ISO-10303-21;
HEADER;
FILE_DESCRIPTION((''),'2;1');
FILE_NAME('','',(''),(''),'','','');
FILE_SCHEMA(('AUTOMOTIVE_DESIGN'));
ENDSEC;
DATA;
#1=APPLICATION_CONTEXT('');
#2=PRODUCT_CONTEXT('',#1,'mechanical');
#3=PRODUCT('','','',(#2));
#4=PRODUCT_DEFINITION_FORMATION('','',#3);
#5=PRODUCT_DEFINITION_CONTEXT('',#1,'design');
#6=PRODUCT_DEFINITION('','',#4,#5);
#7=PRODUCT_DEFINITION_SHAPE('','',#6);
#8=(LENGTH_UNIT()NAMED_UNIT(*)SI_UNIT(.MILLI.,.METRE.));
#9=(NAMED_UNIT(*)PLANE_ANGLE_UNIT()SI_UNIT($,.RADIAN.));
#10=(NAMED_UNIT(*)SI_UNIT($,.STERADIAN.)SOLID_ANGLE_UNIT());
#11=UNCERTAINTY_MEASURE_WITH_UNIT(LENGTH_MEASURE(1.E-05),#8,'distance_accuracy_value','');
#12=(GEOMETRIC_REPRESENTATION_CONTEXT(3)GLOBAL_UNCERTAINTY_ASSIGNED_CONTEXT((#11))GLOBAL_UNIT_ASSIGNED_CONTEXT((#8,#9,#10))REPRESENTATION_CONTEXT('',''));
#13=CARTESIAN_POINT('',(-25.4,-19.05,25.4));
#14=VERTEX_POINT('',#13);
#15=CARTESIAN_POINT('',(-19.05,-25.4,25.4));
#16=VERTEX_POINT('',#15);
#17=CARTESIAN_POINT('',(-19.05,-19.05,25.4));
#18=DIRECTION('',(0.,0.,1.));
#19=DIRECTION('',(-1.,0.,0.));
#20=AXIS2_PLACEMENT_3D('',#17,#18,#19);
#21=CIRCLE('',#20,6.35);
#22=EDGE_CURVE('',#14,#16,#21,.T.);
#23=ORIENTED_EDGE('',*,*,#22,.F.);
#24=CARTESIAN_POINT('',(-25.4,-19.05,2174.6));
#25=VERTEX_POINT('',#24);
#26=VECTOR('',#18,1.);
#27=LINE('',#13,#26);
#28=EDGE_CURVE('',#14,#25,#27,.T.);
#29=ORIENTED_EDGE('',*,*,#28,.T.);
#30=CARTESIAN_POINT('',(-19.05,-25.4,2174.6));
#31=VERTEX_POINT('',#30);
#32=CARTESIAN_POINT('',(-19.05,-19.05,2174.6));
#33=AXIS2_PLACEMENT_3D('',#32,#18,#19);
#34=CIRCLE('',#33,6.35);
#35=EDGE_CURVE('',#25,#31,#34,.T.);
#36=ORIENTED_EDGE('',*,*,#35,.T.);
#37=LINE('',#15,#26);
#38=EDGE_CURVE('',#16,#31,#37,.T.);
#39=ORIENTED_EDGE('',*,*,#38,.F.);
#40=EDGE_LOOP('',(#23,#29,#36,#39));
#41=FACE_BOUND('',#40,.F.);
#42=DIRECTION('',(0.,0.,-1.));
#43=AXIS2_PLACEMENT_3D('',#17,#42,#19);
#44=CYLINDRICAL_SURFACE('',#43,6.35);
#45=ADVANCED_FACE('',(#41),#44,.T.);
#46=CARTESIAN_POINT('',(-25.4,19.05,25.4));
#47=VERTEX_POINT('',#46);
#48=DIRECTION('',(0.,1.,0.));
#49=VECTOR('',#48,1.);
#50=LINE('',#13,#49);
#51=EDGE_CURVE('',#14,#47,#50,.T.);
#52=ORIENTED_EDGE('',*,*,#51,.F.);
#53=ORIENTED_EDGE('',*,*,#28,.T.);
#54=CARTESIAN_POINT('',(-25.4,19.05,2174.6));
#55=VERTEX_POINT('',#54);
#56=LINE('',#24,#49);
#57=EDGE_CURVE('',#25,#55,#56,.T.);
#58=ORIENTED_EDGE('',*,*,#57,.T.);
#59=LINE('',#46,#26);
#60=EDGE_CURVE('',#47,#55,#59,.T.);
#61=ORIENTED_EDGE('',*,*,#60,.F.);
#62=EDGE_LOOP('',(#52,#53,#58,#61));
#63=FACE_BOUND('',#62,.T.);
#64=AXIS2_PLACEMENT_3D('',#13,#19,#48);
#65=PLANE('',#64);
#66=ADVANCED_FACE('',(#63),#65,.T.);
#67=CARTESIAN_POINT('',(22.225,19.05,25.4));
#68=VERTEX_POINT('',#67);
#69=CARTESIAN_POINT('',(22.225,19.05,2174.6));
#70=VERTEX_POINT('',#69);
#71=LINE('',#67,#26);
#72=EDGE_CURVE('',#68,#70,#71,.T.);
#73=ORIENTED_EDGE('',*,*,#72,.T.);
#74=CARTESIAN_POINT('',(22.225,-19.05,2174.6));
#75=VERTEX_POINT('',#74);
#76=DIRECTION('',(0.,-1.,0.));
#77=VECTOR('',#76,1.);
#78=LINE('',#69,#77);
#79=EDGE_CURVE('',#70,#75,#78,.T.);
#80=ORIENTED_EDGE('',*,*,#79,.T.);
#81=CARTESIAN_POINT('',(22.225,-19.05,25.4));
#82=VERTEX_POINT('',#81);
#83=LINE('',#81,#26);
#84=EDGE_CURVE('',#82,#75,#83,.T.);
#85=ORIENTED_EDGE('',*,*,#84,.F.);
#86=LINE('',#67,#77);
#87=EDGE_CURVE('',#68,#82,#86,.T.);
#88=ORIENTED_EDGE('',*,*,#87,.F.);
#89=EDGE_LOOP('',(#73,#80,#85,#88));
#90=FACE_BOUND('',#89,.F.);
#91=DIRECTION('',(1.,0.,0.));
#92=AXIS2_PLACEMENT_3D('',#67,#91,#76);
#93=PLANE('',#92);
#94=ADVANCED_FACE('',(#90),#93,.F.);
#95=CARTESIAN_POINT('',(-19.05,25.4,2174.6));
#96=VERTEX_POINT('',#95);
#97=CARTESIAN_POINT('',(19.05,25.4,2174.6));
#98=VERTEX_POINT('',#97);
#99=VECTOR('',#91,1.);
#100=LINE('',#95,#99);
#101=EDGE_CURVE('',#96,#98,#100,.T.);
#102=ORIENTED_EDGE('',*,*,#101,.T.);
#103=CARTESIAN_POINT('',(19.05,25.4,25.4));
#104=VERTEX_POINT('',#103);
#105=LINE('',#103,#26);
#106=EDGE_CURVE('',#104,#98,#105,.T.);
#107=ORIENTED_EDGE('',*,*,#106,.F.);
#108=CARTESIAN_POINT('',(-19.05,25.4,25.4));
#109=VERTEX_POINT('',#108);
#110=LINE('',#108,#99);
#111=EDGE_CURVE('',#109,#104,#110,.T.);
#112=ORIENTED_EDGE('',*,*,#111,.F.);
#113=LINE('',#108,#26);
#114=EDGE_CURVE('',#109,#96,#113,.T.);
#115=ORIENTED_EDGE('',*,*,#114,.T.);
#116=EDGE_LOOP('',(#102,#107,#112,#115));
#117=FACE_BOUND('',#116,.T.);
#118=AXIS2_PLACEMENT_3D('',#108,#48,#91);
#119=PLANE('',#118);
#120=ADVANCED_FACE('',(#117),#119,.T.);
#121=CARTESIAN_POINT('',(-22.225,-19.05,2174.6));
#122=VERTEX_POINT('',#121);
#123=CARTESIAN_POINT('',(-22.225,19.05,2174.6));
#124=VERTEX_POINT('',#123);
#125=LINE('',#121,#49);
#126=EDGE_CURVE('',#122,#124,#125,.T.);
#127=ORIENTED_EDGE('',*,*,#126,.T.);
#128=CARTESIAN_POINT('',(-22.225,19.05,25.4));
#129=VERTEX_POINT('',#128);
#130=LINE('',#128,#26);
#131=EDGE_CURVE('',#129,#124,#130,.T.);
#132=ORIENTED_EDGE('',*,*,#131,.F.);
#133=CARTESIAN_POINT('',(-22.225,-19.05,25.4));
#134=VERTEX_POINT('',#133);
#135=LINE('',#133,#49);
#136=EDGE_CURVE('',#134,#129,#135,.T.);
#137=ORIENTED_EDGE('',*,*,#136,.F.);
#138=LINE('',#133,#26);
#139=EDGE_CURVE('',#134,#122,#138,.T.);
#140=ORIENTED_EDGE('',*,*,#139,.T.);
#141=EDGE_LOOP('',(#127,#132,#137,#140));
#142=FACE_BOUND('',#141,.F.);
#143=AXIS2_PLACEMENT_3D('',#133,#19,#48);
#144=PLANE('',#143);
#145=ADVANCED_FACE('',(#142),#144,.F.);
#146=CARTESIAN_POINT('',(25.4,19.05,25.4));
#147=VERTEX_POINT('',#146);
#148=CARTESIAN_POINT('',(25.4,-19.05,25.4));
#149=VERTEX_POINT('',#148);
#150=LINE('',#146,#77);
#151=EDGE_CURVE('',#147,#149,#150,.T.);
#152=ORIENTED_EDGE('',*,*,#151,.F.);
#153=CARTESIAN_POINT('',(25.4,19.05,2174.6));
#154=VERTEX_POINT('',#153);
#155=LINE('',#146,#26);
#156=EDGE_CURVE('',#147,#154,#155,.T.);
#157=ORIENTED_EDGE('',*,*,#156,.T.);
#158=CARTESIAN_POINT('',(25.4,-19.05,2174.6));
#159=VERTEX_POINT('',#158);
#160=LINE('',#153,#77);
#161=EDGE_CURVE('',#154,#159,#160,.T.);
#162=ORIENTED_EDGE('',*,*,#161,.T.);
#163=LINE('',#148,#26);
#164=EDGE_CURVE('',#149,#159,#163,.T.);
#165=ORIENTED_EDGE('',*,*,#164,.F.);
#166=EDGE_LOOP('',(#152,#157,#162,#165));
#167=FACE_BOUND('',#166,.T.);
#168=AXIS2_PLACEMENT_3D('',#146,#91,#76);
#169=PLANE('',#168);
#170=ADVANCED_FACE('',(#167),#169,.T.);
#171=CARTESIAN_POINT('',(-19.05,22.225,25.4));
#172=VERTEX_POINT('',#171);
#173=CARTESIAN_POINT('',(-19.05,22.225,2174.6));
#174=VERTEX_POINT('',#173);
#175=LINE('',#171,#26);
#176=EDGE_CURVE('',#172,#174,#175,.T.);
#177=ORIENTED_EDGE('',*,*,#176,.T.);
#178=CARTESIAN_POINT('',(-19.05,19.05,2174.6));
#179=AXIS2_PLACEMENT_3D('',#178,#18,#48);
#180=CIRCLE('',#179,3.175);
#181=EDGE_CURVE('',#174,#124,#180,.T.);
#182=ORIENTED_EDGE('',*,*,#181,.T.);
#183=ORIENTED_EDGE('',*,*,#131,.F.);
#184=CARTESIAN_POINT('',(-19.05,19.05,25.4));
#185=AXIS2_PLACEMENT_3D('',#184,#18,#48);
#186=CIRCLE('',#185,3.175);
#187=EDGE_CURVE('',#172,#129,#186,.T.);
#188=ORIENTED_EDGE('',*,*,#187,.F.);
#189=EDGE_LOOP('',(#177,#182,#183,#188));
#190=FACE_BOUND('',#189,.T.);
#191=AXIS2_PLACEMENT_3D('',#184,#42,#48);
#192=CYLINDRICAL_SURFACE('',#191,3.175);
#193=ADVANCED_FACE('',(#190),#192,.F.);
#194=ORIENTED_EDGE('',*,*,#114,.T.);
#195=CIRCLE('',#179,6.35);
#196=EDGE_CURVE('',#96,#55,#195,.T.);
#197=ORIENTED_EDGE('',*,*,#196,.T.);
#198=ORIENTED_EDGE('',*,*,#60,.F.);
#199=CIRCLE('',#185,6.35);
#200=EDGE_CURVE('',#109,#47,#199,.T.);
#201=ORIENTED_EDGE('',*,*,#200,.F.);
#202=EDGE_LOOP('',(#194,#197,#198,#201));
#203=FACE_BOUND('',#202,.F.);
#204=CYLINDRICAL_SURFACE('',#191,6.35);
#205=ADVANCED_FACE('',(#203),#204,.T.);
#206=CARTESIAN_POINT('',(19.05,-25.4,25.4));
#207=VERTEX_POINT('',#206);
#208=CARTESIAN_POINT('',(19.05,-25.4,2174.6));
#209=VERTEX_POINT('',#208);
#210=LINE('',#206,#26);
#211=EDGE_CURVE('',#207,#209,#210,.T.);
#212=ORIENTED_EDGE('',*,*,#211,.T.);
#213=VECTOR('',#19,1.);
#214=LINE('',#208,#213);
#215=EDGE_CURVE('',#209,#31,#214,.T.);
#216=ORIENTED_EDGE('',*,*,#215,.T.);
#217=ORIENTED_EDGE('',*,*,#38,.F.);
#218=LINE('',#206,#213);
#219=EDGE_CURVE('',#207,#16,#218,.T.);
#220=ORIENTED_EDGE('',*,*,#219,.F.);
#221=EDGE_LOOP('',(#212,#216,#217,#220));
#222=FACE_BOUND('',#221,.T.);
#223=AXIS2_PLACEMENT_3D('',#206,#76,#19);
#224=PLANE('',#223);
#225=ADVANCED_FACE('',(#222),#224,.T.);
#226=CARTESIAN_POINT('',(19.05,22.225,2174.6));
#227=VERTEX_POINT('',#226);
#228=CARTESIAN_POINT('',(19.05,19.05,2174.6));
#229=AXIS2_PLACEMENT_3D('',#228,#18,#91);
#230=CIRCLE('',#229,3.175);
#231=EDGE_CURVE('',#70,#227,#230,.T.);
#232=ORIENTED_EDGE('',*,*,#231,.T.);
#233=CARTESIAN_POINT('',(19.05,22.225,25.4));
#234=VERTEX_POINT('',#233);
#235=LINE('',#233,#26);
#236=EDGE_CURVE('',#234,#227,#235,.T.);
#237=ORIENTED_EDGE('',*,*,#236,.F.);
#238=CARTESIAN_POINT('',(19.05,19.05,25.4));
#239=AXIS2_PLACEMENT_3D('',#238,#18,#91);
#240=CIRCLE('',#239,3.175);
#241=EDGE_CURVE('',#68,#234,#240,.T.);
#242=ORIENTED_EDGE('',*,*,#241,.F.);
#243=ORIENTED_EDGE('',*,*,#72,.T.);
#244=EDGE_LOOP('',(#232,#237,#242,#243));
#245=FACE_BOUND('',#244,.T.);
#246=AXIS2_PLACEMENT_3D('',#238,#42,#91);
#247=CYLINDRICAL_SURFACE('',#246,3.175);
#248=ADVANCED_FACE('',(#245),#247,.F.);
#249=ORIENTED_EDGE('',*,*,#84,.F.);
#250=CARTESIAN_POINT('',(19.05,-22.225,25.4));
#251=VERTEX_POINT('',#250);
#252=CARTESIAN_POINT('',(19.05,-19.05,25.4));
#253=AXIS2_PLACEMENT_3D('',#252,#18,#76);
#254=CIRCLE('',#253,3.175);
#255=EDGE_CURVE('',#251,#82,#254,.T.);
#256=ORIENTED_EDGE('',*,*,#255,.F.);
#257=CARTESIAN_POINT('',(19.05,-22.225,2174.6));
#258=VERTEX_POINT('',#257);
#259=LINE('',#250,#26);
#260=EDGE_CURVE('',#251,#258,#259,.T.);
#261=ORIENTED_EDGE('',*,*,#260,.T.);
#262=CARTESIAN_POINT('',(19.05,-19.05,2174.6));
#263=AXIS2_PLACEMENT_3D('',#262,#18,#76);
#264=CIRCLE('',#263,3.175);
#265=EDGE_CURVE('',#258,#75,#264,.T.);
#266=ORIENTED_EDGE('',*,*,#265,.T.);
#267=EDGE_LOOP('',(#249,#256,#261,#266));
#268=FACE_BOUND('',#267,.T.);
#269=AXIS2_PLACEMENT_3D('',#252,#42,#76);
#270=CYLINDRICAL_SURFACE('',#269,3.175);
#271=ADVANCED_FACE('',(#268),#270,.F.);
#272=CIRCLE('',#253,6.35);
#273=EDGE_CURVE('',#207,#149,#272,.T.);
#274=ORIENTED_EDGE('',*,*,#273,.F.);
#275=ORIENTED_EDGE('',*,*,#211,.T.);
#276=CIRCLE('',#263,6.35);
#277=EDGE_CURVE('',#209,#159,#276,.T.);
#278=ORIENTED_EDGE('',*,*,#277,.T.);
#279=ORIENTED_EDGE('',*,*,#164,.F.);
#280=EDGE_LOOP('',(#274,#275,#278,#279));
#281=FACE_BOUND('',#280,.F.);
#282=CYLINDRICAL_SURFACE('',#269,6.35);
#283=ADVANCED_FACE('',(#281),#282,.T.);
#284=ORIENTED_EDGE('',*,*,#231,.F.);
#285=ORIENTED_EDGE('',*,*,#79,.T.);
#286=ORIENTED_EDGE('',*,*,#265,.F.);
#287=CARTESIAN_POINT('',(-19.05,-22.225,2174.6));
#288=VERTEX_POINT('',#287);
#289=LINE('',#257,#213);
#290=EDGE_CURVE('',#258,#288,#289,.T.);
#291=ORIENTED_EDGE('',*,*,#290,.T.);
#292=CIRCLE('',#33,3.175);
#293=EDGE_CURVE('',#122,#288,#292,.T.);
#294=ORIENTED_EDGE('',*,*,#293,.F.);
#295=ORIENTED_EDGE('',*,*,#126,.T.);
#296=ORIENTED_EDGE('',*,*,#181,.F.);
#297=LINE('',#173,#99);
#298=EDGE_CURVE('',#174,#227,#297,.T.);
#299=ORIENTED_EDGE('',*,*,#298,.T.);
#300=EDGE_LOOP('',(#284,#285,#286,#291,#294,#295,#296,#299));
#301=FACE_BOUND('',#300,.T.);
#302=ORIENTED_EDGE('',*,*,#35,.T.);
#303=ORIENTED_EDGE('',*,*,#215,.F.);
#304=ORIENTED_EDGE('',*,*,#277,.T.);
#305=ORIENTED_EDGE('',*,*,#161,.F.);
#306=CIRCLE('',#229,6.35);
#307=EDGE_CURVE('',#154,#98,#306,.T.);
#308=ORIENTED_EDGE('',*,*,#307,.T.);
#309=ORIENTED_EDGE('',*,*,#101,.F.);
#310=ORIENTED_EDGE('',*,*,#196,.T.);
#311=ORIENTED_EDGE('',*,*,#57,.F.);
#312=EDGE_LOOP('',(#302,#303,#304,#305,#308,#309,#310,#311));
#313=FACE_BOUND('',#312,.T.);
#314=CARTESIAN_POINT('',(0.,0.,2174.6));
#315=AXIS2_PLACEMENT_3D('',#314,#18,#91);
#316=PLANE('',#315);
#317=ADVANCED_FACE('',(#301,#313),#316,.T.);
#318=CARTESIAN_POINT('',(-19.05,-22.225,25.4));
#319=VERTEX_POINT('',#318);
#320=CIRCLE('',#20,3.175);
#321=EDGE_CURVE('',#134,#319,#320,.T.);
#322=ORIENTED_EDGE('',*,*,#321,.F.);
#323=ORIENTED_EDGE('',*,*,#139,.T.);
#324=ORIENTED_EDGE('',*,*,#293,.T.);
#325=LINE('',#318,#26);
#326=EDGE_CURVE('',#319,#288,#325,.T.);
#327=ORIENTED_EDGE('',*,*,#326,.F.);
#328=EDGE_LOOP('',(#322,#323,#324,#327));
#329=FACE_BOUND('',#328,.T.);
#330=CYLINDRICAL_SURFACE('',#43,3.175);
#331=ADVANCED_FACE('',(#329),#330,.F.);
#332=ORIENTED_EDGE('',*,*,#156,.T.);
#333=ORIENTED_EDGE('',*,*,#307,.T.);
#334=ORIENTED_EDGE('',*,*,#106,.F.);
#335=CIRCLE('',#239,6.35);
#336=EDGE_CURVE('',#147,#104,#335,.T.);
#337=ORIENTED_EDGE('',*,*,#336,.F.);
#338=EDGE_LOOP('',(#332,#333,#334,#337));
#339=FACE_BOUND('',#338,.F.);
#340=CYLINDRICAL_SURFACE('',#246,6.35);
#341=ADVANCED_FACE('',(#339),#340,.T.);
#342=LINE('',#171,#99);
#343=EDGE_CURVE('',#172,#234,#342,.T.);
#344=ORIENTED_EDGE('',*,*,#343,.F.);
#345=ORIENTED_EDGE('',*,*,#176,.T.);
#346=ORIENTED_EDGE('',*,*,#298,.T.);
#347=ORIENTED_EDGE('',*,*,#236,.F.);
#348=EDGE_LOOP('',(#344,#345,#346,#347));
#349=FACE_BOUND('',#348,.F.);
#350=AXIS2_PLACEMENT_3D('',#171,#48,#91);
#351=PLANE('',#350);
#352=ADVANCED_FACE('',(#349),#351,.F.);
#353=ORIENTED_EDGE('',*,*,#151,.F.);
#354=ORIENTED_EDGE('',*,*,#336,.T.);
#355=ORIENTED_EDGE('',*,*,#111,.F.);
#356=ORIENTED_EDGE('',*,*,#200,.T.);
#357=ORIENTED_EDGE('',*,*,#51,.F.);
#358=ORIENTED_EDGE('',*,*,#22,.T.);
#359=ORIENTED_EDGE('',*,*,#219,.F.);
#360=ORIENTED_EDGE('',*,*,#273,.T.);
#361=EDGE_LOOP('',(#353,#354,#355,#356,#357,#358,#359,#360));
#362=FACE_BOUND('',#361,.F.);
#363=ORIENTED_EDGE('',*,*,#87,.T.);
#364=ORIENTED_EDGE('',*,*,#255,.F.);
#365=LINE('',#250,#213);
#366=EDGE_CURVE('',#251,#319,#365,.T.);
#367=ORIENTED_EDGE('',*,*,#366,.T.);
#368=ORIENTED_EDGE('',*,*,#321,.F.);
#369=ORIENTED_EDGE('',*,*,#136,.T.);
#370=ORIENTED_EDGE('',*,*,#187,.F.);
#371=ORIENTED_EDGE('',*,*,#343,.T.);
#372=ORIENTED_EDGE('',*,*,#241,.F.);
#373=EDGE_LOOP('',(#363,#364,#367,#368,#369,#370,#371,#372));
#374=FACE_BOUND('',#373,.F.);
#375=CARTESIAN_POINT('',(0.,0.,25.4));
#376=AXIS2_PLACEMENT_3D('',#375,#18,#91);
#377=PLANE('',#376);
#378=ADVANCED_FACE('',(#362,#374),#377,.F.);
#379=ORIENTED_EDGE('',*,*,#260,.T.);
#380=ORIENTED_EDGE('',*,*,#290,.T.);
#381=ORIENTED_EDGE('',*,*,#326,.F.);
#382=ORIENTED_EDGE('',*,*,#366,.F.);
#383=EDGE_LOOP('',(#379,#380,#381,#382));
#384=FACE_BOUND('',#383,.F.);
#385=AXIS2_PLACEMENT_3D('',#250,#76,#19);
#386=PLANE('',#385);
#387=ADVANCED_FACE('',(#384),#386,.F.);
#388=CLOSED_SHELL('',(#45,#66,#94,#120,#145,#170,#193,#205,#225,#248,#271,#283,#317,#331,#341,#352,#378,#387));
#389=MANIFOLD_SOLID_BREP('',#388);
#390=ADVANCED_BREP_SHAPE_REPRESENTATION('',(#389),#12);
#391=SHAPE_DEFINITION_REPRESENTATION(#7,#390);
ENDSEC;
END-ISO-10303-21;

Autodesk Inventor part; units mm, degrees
ref_plane "Plano inicial" through (0, 0, 25.4) normal (0, 0, 1) x (1, 0, 0)
ref_plane "Plano final" through (0, 0, 2174.6) normal (0, 0, 1) x (1, 0, 0)
sketch "Boceto" plane through (0, 0, 0) normal (0, 0, 1) x (1, 0, 0)
  line L0 (-25.4, -19.05) -> (-25.4, 19.05)
  line L1 (-19.05, 25.4) -> (19.05, 25.4)
  line L2 (25.4, 19.05) -> (25.4, -19.05)
  line L3 (19.05, -25.4) -> (-19.05, -25.4)
  arc A0 (-25.4, -19.05) -> (-19.05, -25.4) centre (-19.05, -19.05) ccw
  arc A1 (-19.05, 25.4) -> (-25.4, 19.05) centre (-19.05, 19.05) ccw
  arc A2 (25.4, 19.05) -> (19.05, 25.4) centre (19.05, 19.05) ccw
  arc A3 (19.05, -25.4) -> (25.4, -19.05) centre (19.05, -19.05) ccw
  arc A4 (-19.05, 22.225) -> (-22.225, 19.05) centre (-19.05, 19.05) ccw
  line L4 (-19.05, 22.225) -> (19.05, 22.225)
  arc A5 (22.225, 19.05) -> (19.05, 22.225) centre (19.05, 19.05) ccw
  line L5 (22.225, 19.05) -> (22.225, -19.05)
  arc A6 (19.05, -22.225) -> (22.225, -19.05) centre (19.05, -19.05) ccw
  line L6 (19.05, -22.225) -> (-19.05, -22.225)
  arc A7 (-22.225, -19.05) -> (-19.05, -22.225) centre (-19.05, -19.05) ccw
  line L7 (-22.225, -19.05) -> (-22.225, 19.05)
  line L8 (0, 37.4012) -> (0, -37.4012) construction
  line L9 (-37.4012, 0) -> (37.4012, 0) construction
  dimension "d10" = 50.8
  dimension "d11" = 50.8
  dimension "d12" = 3.175
  dimension "d15" = 25.4
  dimension "d16" = 25.4
  dimension "d17" = 6.35
extrude "Cuerpo" add sketch "Boceto" along normal up to surface (2149.2 mm away) from surface at 25.4
sketch "Sketch3" plane through (0, 0, 0) normal (0, 0, 1) x (1, 0, 0)
  line L0 (0, 0) -> (10, 0)
ref_plane "Work Plane3" through (0, 0, 0) normal (0, -1, 0) x (1, 0, 0)
ref_plane "Plano de trabajo4" through (2380.95, -2890, 2174.6) normal (0, 0, 1) x (1, 0, 0)
split "Dividir1" plane through (2380.95, -2890, 2174.6) removes the side toward (0, 0, 1)
ref_plane "Plano de trabajo5" through (2400, -2870.95, 25.4) normal (0, 0, -1) x (-1, 0, 0)
split "Dividir2" plane through (2400, -2870.95, 25.4) removes the side toward (0, 0, -1)
sketch "Sketch4" plane through (0, 0, 0) normal (0, -1, 0) x (1, 0, 0)
  line L0 (-2, 25.4) -> (12, 25.4) projected
  line L1 (-2, 2174.6) -> (12, 2174.6) projected
  dimension "d19" = 2149.2
equation "\"d10\" = G_H"
equation "\"d11\" = G_W"
equation "\"d12\" = G_T"
equation "\"d15\" = 0.5 * d10"
equation "\"d16\" = 0.5 * d11"
equation "\"d17\" = G_IR"
equation "\"d3\" = G_L"
equation "\"G_W\" = 50.8"
equation "\"G_H\" = 50.8"
equation "\"G_T\" = 3.175"
equation "\"G_IR\" = 6.35"
equation "\"G_L\" = d19"
equation "\"G_OFFSET_START\" = -25.4"
equation "\"G_OFFSET_END\" = -25.4"
equation "\"d13\" = -G_OFFSET_START"
equation "\"d14\" = G_OFFSET_END + B_L"
equation "\"B_L\" = 2200"
properties part number "AISC - 2 x 2 x 1/8 - 84,614" material "Acero, suave"
